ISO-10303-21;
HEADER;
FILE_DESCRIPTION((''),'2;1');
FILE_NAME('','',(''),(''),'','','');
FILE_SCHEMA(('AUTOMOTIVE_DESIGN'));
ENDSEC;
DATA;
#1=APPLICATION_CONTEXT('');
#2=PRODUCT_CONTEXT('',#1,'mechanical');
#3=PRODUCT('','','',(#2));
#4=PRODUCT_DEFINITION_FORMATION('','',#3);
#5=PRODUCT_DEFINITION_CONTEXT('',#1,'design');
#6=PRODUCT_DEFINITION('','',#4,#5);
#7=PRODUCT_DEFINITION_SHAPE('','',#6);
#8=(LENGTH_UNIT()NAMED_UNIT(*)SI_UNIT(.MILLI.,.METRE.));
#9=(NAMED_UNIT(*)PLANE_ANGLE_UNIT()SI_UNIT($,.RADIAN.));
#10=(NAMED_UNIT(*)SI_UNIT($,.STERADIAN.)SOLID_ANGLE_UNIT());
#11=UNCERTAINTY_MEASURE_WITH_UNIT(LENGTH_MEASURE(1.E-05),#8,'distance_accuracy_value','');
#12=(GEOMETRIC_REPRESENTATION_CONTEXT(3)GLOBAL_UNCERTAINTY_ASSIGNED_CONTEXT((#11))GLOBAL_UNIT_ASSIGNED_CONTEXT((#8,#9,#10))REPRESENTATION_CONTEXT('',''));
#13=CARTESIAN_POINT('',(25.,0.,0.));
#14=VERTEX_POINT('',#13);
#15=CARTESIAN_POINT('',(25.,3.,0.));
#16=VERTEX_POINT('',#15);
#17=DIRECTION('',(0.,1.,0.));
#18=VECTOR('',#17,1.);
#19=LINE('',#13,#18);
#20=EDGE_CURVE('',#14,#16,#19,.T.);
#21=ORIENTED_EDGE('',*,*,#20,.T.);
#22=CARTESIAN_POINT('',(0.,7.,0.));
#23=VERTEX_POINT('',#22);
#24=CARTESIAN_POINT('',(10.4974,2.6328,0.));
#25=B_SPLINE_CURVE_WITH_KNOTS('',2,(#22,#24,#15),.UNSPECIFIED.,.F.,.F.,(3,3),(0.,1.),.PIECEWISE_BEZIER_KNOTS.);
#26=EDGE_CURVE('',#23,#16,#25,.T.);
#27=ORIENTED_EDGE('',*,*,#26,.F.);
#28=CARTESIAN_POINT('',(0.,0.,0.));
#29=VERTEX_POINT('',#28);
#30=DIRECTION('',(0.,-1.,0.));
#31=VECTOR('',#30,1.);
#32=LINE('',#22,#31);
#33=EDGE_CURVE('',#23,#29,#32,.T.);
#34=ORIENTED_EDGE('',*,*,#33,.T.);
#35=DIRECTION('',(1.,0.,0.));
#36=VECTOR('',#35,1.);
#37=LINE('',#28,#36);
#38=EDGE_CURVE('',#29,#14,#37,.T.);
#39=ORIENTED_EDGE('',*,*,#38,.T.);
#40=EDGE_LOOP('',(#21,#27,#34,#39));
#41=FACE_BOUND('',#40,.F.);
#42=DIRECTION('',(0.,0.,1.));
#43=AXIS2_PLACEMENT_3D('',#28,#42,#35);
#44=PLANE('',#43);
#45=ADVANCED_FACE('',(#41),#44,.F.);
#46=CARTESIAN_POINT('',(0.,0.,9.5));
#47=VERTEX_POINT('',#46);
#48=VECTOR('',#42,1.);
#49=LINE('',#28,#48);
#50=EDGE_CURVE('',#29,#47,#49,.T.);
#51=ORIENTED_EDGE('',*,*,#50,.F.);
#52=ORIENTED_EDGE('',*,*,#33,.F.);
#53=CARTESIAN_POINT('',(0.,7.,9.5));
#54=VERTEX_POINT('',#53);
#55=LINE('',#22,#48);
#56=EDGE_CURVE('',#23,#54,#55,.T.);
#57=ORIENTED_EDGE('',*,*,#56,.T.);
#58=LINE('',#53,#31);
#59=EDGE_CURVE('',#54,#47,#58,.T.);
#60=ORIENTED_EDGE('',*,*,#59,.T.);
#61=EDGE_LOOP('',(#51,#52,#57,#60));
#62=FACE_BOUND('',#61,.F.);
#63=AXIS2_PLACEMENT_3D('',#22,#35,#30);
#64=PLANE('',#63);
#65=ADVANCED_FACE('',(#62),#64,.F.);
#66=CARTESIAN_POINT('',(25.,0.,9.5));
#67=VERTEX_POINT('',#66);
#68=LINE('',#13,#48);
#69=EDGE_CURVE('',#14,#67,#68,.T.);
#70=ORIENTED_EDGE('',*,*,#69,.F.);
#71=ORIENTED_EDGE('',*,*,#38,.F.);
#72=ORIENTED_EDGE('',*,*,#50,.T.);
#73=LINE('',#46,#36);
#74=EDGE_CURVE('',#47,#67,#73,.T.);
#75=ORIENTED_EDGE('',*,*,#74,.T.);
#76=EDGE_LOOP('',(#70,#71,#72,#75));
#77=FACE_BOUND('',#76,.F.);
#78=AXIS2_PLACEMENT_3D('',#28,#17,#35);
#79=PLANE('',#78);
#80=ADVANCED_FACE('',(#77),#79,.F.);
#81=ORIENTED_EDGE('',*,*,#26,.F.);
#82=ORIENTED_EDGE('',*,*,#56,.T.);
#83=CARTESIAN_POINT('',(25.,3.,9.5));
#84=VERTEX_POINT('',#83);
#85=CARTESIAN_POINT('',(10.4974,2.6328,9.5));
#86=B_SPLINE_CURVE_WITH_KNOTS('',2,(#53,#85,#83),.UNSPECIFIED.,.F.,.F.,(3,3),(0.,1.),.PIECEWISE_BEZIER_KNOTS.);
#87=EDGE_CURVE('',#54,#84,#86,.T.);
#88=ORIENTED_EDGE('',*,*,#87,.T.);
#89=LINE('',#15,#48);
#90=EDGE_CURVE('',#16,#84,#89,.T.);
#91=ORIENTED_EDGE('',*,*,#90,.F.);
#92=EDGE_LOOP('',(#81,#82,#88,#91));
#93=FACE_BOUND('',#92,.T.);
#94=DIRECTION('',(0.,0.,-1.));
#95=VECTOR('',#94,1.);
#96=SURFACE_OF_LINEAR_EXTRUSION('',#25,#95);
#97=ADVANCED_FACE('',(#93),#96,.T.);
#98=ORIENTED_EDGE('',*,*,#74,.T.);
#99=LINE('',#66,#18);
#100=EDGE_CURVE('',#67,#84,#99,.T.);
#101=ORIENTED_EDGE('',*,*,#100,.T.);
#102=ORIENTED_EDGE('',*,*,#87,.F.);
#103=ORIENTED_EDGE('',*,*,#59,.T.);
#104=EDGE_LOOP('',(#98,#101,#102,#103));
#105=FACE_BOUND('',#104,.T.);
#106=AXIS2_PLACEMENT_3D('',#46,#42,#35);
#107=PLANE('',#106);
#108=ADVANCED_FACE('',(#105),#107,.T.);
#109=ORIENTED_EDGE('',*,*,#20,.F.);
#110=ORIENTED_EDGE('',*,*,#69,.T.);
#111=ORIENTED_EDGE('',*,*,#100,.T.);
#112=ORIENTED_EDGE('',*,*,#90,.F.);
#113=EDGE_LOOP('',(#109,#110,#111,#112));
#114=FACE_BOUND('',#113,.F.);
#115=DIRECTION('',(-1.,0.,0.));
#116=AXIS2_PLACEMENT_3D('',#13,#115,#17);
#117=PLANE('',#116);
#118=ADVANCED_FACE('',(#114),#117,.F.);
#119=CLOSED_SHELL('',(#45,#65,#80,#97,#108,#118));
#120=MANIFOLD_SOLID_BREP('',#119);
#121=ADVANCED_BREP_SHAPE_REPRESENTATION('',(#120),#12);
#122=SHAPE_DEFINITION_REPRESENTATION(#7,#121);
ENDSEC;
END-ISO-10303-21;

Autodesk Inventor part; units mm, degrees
ref_plane "YZ Plane" through (0, 0, 0) normal (1, 0, 0) x (0, 1, 0)
ref_plane "XZ Plane" through (0, 0, 0) normal (0, 1, 0) x (-1, 0, 0)
ref_plane "XY Plane" through (0, 0, 0) normal (0, 0, 1) x (1, 0, 0)
sketch "Sketch1" plane through (0, 0, 0) normal (0, 0, 1) x (1, 0, 0)
  line L0 (0, 0) -> (25, 0)
  line L1 (25, 0) -> (25, 3)
  line L2 (0, 7) -> (0, 0)
  spline S0 degree 2 poles (0, 7) (10.4974, 2.6328) (25, 3) knots 0 0 0 1 1 1
  line L3 (22.1754, 2.9285) -> (27.8246, 3.0715) construction
  arc A0 (22.7403, 2.9709) -> (27.2583, 3.0853) centre (22.6995, 93.8518) ccw construction
  point P0 (10.7252, 3.9454)
  dimension "d1" = 25
  dimension "d2" = 7
  dimension "d5" = 3
extrude "Extrusion1" add sketch "Sketch1" along normal blind 9.5
properties part number "ruber1"
